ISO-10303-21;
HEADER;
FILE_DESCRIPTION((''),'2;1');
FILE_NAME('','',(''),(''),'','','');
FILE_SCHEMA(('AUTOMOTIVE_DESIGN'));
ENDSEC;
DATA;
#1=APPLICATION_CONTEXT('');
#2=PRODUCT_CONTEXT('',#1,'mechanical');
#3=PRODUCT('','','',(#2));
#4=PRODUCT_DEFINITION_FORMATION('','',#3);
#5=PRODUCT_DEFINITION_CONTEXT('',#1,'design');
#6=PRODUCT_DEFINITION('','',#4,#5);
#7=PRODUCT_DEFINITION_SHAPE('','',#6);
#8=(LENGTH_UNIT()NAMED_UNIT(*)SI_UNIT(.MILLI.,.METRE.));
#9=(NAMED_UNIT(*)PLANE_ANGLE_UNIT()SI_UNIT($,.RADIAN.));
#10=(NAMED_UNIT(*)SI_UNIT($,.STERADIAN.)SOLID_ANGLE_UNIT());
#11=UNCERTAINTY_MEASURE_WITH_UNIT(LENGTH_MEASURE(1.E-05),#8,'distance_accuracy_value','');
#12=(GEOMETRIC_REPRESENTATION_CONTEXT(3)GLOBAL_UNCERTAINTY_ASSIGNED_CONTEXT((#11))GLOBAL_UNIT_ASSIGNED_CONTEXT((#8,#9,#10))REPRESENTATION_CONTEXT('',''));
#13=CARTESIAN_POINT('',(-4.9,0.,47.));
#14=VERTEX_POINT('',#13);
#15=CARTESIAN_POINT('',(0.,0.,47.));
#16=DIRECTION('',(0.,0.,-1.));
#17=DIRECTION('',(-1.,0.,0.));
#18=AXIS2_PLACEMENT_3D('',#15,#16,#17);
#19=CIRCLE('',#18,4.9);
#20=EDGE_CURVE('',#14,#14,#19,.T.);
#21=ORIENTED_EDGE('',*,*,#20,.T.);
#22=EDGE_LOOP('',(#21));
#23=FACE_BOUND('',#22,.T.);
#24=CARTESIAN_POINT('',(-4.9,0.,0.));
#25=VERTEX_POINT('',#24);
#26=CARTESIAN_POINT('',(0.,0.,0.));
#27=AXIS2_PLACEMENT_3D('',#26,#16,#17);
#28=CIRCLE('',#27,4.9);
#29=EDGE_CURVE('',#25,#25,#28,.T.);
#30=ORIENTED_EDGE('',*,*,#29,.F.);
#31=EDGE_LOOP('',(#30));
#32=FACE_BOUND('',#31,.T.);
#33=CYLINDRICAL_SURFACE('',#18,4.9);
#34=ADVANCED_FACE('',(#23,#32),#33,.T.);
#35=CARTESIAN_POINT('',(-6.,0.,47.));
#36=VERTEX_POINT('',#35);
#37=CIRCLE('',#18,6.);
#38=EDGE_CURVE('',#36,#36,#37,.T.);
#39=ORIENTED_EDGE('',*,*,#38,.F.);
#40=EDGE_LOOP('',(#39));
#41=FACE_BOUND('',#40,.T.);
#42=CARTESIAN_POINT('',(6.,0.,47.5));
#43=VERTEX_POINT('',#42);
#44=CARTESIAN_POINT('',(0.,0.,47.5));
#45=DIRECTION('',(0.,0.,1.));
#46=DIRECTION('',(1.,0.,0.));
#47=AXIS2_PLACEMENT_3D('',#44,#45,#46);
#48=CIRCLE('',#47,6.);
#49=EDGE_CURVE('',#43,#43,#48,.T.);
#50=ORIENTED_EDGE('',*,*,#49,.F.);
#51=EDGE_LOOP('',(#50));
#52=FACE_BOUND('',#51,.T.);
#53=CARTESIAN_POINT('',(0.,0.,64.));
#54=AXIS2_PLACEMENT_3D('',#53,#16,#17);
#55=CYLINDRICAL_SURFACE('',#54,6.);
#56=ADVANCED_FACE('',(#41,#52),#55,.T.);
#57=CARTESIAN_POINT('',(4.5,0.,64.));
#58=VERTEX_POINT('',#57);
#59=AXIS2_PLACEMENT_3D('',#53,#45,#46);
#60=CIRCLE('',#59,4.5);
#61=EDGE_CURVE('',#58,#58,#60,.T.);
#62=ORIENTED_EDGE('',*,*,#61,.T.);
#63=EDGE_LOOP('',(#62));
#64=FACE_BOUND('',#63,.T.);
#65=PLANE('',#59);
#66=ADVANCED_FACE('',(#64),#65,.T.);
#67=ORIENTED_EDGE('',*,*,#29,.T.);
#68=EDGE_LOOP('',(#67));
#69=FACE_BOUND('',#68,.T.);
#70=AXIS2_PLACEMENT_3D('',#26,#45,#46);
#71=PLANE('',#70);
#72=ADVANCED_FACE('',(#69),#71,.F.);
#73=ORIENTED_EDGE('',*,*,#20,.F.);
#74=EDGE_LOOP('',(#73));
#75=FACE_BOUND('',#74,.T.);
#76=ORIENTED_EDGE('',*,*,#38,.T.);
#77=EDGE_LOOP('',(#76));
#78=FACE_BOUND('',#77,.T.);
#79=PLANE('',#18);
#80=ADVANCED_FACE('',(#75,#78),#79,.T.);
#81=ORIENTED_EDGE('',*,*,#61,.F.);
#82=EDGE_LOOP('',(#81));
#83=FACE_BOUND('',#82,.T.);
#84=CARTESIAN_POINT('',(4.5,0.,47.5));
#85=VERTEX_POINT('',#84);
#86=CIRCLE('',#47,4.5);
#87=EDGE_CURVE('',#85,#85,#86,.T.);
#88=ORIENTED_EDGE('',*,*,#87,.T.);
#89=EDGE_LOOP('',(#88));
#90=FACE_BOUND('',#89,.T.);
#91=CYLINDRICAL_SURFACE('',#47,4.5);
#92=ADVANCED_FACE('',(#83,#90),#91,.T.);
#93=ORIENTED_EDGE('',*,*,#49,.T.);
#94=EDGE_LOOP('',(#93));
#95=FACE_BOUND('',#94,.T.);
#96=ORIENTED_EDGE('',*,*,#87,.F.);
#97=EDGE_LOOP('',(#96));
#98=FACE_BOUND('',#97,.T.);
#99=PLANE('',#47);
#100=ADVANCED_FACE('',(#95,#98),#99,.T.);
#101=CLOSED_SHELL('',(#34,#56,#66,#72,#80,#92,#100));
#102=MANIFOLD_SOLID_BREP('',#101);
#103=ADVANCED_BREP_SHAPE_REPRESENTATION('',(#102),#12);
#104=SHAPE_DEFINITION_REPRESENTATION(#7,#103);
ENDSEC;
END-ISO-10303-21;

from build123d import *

# Parameters (mm, degrees)
SZKIC1_R                    = 6
DODANIE_WYCI_GNI_CIE1_DEPTH = 64
SZKIC2_OUTSIDE_W            = 27.242
SZKIC2_OUTSIDE_H            = 27.242
SZKIC2_OUTSIDE_R            = 4.9
WYTNIJ_WYCI_GNI_CIE1_DEPTH  = 47
SZKIC3_OUTSIDE_W            = 27.242
SZKIC3_OUTSIDE_H            = 27.242
SZKIC3_OUTSIDE_R            = 4.5
WYTNIJ_WYCI_GNI_CIE2_DEPTH  = 16.5


with BuildPart() as part:
    # Szkic1 → Dodanie-wyciągnięcie1 (new body)
    with BuildSketch(Plane.XY):
        Circle(SZKIC1_R)
    extrude(amount=DODANIE_WYCI_GNI_CIE1_DEPTH)

    # Szkic2 outside → Wytnij-wyciągnięcie1 (cut)
    with BuildSketch(Plane(origin=(0, 0, 0), x_dir=(-1, 0, 0), z_dir=(0, 0, -1))):
        Rectangle(SZKIC2_OUTSIDE_W, SZKIC2_OUTSIDE_H)
        Circle(SZKIC2_OUTSIDE_R, mode=Mode.SUBTRACT)
    extrude(amount=-WYTNIJ_WYCI_GNI_CIE1_DEPTH, mode=Mode.SUBTRACT)

    # Szkic3 outside → Wytnij-wyciągnięcie2 (cut)
    with BuildSketch(Plane.XY.offset(64)):
        Rectangle(SZKIC3_OUTSIDE_W, SZKIC3_OUTSIDE_H)
        Circle(SZKIC3_OUTSIDE_R, mode=Mode.SUBTRACT)
    extrude(amount=-WYTNIJ_WYCI_GNI_CIE2_DEPTH, mode=Mode.SUBTRACT)


solid = part.part
